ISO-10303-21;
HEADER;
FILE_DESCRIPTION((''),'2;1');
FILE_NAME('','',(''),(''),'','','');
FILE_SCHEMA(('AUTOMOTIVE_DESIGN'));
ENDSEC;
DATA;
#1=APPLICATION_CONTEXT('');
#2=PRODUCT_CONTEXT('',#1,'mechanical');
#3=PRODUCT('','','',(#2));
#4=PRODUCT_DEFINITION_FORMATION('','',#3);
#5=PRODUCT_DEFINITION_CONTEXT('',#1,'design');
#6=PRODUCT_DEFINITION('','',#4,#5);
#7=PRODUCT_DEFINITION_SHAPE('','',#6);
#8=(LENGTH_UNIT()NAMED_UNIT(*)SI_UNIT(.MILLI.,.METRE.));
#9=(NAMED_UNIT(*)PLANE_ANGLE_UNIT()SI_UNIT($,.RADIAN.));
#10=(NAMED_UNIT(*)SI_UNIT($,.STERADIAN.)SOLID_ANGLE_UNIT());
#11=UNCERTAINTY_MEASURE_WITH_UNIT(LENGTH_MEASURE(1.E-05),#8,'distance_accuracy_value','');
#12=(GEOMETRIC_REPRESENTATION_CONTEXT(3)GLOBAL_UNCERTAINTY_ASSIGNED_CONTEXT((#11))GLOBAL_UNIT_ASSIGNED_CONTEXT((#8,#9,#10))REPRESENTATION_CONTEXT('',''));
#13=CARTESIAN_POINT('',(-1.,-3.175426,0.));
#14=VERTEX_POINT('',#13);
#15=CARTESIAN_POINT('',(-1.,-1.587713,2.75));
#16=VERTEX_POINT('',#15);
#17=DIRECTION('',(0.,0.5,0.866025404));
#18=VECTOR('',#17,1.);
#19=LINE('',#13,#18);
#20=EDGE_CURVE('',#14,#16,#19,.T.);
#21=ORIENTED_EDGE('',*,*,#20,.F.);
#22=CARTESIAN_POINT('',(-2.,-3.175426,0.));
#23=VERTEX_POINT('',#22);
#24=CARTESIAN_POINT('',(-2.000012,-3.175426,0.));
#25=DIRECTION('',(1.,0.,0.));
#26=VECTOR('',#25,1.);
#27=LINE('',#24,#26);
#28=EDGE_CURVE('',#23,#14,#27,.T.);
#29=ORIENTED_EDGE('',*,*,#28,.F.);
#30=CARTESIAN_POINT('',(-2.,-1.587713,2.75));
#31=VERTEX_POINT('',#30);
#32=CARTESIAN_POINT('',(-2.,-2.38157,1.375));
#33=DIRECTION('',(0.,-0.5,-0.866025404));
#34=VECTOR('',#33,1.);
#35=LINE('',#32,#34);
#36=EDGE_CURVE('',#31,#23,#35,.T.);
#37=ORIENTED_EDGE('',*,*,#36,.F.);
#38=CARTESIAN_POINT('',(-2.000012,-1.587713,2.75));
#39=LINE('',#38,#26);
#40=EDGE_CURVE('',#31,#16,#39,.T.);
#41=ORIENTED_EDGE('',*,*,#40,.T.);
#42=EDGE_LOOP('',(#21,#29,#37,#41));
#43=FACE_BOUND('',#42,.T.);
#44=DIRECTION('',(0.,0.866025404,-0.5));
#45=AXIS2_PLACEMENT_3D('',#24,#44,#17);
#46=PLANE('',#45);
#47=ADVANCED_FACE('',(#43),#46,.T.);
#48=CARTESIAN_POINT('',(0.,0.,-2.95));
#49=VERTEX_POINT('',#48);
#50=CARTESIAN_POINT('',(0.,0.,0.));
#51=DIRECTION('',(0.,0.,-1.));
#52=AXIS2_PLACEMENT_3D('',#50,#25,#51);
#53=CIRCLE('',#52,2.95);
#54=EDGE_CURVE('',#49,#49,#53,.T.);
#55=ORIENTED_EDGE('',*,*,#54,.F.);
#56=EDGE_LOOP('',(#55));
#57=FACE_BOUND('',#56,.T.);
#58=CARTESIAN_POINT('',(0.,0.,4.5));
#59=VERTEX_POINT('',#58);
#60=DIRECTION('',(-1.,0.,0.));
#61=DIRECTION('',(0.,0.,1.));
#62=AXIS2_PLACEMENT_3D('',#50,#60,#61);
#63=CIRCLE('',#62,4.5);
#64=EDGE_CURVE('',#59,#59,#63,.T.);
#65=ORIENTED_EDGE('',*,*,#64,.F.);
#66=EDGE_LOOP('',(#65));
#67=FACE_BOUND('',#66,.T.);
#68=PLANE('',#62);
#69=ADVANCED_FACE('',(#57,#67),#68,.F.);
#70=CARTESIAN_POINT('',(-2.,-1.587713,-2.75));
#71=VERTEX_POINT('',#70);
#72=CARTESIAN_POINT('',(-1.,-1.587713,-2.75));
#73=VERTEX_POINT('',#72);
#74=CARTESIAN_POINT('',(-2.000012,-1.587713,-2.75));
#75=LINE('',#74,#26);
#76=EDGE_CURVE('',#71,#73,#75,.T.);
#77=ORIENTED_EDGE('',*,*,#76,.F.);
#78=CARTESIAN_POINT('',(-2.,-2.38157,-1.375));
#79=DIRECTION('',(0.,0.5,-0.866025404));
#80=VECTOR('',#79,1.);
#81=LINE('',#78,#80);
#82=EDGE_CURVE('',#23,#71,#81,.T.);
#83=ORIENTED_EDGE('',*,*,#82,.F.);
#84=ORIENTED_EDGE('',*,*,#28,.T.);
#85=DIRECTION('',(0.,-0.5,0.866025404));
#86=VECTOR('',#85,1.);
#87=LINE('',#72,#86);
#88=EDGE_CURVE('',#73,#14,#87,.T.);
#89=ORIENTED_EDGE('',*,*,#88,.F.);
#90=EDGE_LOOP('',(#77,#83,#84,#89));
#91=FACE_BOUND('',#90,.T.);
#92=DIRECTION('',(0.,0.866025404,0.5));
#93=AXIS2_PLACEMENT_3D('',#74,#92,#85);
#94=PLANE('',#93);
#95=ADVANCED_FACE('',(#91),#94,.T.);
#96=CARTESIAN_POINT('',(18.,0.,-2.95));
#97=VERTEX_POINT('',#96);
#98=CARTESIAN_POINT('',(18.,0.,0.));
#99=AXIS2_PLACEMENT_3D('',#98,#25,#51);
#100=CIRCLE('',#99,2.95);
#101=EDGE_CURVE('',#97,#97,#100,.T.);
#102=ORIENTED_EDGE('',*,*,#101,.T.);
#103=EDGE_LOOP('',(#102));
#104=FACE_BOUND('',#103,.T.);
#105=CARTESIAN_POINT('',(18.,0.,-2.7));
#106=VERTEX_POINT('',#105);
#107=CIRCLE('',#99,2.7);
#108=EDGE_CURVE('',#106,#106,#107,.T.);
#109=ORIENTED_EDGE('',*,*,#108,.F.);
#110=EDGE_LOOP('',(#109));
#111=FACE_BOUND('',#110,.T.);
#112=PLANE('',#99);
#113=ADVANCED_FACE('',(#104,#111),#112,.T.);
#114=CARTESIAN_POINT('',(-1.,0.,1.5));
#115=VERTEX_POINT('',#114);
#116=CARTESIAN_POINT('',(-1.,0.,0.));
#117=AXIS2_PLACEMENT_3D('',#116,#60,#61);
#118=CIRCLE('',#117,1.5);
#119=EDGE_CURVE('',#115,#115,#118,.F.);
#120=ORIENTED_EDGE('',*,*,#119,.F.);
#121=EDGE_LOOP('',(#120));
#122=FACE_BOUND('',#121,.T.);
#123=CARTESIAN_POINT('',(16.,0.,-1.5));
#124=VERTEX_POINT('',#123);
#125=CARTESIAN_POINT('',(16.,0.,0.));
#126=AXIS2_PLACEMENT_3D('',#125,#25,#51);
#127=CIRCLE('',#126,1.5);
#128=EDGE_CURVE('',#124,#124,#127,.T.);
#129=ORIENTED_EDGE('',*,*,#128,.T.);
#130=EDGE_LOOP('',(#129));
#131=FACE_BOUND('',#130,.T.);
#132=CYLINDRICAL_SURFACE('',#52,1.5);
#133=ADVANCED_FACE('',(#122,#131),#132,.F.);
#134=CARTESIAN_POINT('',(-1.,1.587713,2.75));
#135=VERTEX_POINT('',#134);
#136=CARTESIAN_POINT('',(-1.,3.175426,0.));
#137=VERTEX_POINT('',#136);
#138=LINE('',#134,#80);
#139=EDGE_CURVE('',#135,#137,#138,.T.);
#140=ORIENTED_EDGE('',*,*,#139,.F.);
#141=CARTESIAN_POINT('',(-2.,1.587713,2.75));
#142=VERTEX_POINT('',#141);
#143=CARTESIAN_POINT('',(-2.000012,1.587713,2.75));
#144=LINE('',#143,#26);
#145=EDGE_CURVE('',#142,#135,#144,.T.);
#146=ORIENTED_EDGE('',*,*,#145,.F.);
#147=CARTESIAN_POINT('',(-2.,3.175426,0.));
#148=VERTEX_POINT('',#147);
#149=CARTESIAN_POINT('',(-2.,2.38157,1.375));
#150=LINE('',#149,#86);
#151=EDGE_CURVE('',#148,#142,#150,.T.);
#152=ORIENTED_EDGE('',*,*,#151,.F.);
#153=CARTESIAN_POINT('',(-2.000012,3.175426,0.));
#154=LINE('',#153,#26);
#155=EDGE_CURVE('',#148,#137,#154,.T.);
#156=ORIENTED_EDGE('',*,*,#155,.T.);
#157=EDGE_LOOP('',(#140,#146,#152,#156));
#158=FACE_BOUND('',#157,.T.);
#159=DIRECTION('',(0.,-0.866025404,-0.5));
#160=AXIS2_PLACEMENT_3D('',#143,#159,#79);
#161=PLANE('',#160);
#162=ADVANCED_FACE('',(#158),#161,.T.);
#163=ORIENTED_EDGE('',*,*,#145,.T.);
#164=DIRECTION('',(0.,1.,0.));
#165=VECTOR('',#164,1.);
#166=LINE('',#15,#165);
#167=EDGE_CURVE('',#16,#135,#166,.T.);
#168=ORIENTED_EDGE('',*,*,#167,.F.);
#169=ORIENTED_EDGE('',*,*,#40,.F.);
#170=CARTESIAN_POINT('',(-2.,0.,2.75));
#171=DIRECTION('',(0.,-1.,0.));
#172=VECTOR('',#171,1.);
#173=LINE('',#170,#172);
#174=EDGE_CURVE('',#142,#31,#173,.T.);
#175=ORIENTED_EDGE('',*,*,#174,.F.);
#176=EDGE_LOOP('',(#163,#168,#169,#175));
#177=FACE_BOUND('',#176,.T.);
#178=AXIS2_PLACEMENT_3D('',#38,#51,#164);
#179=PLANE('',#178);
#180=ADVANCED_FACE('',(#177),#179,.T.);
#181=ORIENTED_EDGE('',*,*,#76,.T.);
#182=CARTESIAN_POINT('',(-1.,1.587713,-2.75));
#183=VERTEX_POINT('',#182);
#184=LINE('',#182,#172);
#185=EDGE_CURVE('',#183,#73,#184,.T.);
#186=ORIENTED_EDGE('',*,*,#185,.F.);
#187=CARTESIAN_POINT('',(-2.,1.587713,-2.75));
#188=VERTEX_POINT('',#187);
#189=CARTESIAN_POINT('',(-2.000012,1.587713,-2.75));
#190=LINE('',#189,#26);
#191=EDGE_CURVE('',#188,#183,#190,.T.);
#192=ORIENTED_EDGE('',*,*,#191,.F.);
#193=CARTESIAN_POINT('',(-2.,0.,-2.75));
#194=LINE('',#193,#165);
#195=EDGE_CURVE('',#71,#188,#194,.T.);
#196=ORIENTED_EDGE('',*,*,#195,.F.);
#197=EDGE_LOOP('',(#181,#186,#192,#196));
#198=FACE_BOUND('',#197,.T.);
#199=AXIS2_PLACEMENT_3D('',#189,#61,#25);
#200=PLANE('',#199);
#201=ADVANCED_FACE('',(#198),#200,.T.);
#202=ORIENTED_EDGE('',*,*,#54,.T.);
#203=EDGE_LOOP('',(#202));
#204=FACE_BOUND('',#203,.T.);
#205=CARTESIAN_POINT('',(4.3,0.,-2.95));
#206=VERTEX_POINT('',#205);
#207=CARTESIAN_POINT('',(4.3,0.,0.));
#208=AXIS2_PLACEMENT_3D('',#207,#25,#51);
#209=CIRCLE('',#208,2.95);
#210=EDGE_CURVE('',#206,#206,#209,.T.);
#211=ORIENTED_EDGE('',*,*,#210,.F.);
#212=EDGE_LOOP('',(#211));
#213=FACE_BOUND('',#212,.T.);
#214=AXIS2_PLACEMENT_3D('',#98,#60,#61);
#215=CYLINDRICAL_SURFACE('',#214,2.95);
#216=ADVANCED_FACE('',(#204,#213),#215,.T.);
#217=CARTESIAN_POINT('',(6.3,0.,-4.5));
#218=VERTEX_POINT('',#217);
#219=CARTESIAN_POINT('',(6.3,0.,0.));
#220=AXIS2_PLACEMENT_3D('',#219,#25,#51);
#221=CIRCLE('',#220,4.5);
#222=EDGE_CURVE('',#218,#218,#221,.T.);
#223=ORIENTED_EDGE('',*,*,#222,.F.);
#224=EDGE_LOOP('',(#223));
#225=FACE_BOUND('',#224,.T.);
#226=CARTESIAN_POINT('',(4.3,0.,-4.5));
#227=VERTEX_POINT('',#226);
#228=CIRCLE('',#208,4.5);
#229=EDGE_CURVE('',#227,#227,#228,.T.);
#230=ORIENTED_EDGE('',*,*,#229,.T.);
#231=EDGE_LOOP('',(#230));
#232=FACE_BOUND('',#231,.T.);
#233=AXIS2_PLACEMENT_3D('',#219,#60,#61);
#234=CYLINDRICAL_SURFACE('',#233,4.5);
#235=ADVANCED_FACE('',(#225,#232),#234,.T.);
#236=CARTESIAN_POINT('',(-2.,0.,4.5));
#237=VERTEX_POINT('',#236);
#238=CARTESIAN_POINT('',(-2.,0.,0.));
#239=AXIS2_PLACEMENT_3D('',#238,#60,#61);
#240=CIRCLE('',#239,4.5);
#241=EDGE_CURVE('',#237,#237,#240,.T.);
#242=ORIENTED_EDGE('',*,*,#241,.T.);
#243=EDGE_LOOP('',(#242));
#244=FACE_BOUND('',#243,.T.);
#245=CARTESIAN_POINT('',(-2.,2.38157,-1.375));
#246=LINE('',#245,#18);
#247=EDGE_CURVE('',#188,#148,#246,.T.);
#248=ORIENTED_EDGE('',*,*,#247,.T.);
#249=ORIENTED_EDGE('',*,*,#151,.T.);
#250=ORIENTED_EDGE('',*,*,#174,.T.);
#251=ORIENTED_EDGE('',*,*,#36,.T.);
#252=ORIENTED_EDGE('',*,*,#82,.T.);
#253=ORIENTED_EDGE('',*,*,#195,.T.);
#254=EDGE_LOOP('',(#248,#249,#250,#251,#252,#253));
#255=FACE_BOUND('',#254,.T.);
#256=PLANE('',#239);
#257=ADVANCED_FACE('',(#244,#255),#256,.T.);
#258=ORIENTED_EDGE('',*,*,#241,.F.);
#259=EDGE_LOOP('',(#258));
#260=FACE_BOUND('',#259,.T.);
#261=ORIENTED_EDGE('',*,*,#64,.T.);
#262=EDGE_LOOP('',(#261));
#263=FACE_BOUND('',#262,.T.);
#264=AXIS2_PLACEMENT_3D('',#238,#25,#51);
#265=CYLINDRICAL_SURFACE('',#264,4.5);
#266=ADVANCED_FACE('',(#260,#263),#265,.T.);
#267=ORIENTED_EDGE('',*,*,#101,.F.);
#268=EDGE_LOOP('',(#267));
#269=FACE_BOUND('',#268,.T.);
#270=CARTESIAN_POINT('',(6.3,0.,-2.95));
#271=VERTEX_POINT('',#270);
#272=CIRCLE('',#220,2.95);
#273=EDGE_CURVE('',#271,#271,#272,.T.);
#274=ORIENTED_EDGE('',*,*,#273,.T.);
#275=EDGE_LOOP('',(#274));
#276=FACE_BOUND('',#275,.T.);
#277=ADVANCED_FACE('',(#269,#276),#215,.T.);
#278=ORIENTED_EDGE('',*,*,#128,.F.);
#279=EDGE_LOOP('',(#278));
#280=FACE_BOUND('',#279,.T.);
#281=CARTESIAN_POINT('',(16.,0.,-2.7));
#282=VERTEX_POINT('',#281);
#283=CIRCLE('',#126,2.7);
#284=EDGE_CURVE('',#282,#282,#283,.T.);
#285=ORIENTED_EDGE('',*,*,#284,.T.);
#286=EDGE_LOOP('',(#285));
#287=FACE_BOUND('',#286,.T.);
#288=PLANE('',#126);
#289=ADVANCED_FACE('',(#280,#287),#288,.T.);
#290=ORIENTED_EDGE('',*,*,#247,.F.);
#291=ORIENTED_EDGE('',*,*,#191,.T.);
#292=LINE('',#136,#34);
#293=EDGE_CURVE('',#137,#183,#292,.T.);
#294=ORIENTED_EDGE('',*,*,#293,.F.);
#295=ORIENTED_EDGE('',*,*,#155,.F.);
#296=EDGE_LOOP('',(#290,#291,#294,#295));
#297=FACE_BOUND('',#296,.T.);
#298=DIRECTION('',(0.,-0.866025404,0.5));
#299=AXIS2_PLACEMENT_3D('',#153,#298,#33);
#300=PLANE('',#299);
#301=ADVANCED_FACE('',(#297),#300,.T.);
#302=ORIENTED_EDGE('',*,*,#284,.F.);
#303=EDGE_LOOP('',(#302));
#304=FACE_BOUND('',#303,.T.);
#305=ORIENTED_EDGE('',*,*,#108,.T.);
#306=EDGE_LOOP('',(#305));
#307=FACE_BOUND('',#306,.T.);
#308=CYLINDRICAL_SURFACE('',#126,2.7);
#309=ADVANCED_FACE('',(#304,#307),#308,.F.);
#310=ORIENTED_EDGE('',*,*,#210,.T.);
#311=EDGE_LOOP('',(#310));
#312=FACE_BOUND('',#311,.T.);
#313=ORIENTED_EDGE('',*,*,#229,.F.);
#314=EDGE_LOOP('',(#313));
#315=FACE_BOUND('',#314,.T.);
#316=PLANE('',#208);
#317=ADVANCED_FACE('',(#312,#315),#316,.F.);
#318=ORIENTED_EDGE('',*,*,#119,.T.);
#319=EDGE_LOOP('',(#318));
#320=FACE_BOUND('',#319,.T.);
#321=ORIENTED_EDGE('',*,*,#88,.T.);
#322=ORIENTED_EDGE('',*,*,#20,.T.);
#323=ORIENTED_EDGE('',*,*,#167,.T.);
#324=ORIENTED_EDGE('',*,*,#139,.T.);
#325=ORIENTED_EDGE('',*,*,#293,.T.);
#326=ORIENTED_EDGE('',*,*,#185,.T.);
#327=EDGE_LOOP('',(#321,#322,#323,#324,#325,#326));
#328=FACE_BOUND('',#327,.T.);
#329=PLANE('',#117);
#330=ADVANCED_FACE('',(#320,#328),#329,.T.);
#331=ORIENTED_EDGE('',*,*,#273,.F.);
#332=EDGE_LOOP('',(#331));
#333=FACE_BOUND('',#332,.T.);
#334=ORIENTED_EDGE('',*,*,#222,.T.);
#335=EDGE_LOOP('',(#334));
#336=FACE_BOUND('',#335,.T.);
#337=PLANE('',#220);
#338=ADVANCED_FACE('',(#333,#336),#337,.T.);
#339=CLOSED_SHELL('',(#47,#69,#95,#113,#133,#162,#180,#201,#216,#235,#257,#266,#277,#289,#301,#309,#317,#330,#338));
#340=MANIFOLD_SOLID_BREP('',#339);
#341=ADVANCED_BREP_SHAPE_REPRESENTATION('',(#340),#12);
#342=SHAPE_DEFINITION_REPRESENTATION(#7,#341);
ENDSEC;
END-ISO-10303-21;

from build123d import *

# Parameters (mm, degrees)
SKETCH1_R               = 2.95
BOSS_EXTRUDE1_DEPTH     = 18
SKETCH2_R               = 2.7
CUT_EXTRUDE1_DEPTH      = 2
CUT_EXTRUDE2_DEPTH      = 17.534962957
CUT_EXTRUDE2_DEPTH_BACK = 17.534962957
SKETCH3_R               = 1.5
SKETCH4_R               = 4.5
BOSS_EXTRUDE2_DEPTH     = 2
BOSS_EXTRUDE3_START     = -6.3
SKETCH4_3_R             = 4.5
BOSS_EXTRUDE3_DEPTH     = 2
CUT_EXTRUDE3_DEPTH      = 21.988091862
CUT_EXTRUDE3_DEPTH_BACK = 21.988091862
SKETCH5_R               = 1.5
CUT_EXTRUDE4_DEPTH      = 21.988091862
CUT_EXTRUDE4_DEPTH_BACK = 1


with BuildPart() as part:
    # Sketch1 → Boss-Extrude1 (new body)
    with BuildSketch(Plane(origin=(0, 0, 0), x_dir=(0, 0, -1), z_dir=(1, 0, 0))):
        Circle(SKETCH1_R)
    extrude(amount=BOSS_EXTRUDE1_DEPTH)

    # Sketch2 → Cut-Extrude1 (cut)
    with BuildSketch(Plane(origin=(18, 0, 0), x_dir=(0, 0, -1), z_dir=(1, 0, 0))):
        Circle(SKETCH2_R)
    extrude(amount=-CUT_EXTRUDE1_DEPTH, mode=Mode.SUBTRACT)

    # Sketch3 → Cut-Extrude2 (cut, two sides: drawn at the far end of the back side and taken through both)
    with BuildSketch(Plane(origin=(16, 0, 0), x_dir=(0, 0, -1), z_dir=(1, 0, 0)).offset(-CUT_EXTRUDE2_DEPTH_BACK)):
        Circle(SKETCH3_R)
    extrude(amount=CUT_EXTRUDE2_DEPTH + CUT_EXTRUDE2_DEPTH_BACK, mode=Mode.SUBTRACT)

    # Sketch4 → Boss-Extrude2 (add)
    with BuildSketch(Plane.ZY):
        Circle(SKETCH4_R)
    extrude(amount=BOSS_EXTRUDE2_DEPTH)

    # Sketch4<3> → Boss-Extrude3 (add)
    with BuildSketch(Plane.ZY.offset(BOSS_EXTRUDE3_START)):
        Circle(SKETCH4_3_R)
    extrude(amount=BOSS_EXTRUDE3_DEPTH)

    # Sketch5 → Cut-Extrude3 (cut, two sides: drawn at the far end of the back side and taken through both)
    with BuildSketch(Plane.ZY.offset(2).offset(-CUT_EXTRUDE3_DEPTH_BACK)):
        with Locations(Location((0, 0, 0), (0, 0, 180))):
            Circle(SKETCH5_R)
    extrude(amount=CUT_EXTRUDE3_DEPTH + CUT_EXTRUDE3_DEPTH_BACK, mode=Mode.SUBTRACT)

    # Sketch6 → Cut-Extrude4 (cut, two sides: drawn at the far end of the back side and taken through both)
    with BuildSketch(Plane.ZY.offset(2).offset(-CUT_EXTRUDE4_DEPTH_BACK)):
        Polygon((2.75, -1.58771324), (2.75, 1.58771324), (0, 3.175426481), (-2.75, 1.58771324), (-2.75, -1.58771324), (0, -3.175426481), align=None)
    extrude(amount=CUT_EXTRUDE4_DEPTH + CUT_EXTRUDE4_DEPTH_BACK, mode=Mode.SUBTRACT)


solid = part.part
